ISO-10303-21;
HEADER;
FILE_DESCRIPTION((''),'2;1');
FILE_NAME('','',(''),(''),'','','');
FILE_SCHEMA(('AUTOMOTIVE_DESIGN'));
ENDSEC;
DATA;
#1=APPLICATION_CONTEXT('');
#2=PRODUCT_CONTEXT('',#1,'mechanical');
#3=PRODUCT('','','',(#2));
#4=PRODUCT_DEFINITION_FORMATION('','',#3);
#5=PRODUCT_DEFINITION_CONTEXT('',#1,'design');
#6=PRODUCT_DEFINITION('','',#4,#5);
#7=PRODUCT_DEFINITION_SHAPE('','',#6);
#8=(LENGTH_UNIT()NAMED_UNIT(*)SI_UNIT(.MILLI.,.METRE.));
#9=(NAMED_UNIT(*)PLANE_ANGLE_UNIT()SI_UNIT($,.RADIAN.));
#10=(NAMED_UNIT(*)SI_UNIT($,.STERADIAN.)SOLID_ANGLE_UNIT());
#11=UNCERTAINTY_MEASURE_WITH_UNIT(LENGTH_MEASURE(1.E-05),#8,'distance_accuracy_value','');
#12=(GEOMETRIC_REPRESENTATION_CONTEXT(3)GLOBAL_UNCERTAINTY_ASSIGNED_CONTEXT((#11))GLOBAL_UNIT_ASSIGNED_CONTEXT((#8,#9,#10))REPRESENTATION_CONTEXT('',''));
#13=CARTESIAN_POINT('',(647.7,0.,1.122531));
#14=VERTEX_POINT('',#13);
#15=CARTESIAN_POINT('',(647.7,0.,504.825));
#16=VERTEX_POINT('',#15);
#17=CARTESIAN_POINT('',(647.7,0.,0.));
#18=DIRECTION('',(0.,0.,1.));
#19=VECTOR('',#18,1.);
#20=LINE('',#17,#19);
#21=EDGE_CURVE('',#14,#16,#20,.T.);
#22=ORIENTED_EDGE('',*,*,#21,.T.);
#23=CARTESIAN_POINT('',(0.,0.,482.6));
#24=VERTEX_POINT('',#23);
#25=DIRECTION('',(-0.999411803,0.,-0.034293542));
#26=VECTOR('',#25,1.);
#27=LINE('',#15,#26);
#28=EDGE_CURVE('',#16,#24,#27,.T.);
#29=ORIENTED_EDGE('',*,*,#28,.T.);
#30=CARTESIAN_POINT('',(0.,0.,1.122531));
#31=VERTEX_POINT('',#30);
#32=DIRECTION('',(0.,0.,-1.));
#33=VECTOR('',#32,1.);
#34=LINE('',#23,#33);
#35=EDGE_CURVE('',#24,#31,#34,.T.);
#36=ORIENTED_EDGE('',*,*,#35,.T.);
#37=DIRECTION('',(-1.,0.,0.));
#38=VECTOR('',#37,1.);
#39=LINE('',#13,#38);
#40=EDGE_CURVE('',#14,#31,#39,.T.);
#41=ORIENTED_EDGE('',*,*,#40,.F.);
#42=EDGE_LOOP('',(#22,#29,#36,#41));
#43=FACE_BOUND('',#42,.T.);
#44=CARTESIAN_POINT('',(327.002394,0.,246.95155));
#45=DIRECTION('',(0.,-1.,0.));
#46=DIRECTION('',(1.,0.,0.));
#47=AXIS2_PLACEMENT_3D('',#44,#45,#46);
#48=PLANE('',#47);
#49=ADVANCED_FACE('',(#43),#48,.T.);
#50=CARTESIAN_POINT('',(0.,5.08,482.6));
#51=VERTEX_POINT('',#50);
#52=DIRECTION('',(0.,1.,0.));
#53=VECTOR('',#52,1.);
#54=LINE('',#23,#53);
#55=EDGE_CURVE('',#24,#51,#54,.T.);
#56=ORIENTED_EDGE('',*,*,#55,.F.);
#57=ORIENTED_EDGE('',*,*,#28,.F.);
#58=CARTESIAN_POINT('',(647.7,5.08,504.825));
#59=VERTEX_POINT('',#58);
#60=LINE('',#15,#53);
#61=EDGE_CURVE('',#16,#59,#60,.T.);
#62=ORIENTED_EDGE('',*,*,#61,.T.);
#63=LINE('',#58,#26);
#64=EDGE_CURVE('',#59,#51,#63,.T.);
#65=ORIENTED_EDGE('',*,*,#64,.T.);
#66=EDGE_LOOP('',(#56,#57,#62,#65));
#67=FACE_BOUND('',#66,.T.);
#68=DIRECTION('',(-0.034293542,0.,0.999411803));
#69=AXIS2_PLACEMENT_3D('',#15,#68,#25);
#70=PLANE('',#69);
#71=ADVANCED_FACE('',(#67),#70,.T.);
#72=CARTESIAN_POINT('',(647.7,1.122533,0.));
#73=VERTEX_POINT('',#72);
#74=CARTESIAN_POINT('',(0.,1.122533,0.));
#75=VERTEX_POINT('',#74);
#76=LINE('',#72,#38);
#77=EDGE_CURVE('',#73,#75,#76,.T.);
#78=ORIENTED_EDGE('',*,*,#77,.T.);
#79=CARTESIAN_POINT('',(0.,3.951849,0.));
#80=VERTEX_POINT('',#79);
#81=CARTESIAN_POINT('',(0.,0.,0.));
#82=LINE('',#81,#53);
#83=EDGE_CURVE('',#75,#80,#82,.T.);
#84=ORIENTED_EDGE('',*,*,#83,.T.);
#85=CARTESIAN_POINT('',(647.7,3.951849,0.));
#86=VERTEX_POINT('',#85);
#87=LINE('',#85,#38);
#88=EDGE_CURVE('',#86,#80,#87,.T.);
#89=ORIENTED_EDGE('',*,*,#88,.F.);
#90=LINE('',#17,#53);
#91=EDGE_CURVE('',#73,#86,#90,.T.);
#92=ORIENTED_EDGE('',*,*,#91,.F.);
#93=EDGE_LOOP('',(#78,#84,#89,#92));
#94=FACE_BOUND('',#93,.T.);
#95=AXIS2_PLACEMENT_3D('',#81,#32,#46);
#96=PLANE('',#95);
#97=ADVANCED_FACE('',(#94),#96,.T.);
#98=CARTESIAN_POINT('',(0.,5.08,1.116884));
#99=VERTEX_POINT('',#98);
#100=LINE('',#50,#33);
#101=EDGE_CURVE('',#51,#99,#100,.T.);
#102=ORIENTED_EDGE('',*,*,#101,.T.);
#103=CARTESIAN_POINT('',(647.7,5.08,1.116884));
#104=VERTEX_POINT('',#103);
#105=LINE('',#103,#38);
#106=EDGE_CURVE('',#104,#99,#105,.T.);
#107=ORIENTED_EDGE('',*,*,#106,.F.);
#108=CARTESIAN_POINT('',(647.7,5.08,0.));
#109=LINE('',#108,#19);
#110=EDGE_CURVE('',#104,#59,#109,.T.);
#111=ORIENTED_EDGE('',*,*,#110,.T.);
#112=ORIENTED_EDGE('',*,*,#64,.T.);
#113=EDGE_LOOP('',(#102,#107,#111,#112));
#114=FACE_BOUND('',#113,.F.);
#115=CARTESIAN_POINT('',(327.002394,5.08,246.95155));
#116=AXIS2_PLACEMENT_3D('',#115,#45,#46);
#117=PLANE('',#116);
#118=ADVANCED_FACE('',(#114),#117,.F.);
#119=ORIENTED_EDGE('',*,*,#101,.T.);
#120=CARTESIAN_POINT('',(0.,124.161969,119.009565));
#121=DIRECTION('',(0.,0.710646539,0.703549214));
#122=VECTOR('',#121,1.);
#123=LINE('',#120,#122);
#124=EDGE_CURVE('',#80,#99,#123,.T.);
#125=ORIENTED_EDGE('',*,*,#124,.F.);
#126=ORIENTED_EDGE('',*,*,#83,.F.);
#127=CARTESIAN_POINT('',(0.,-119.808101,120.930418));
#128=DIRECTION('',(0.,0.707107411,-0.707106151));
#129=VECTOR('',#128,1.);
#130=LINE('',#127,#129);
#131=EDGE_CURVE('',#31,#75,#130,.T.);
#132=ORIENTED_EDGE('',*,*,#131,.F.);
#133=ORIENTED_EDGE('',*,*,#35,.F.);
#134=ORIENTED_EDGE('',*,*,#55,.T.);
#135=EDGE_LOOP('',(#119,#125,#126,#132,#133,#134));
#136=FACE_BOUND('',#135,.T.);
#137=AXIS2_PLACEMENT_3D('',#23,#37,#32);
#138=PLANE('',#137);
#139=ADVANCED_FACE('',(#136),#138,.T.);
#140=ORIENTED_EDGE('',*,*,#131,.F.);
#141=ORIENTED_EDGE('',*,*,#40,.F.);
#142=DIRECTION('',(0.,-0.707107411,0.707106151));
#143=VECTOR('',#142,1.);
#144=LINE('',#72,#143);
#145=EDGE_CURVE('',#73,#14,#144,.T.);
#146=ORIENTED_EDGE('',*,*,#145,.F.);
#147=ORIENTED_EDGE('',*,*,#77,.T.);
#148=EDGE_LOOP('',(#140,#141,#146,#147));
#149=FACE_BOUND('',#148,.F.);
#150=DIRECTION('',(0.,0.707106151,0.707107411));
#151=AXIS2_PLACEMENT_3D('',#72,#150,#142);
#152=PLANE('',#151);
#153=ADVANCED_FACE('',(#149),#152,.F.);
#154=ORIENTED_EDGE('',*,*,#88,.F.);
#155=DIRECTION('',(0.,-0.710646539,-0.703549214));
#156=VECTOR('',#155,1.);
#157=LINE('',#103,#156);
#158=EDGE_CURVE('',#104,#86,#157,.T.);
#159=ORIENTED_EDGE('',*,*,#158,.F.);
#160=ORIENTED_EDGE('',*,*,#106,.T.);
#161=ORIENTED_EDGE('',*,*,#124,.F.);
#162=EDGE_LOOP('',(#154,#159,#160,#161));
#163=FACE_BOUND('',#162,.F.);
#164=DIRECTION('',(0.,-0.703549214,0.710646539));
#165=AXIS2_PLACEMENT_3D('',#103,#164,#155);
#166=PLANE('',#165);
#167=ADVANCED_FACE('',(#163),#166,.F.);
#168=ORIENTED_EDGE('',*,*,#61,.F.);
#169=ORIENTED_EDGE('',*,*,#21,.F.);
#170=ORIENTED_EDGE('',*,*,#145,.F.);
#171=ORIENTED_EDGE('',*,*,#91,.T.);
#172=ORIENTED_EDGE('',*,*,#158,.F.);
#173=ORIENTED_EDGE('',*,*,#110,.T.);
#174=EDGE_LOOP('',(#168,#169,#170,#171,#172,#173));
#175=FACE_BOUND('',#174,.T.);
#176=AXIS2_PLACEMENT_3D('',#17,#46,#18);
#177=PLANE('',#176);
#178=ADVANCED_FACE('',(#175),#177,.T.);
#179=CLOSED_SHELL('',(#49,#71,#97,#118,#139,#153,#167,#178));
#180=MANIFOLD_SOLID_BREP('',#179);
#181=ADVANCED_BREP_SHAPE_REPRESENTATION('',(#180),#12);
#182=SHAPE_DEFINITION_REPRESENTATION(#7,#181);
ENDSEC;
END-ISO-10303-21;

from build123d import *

# Parameters (mm, degrees)
F1_DEPTH = 5.08
F3_DEPTH = 751.84


with BuildPart() as f1:
    # F0 (on Front) → F1 (new body)
    with BuildSketch(Plane.XZ):
        Polygon((0, 482.6), (0, 0), (647.7, 0), (647.7, 504.825), align=None)
    extrude(amount=-F1_DEPTH)

    # F2 (on face) → F3 (cut)
    with BuildSketch(Plane.YZ.offset(647.7)):
        Polygon((5.08, 1.116884), (3.951849, 0), (5.08, 0), align=None)
        Polygon((0, 1.122531), (0, 0), (1.122533, 0), align=None)
    extrude(amount=-F3_DEPTH, mode=Mode.SUBTRACT)


solid = f1.part
